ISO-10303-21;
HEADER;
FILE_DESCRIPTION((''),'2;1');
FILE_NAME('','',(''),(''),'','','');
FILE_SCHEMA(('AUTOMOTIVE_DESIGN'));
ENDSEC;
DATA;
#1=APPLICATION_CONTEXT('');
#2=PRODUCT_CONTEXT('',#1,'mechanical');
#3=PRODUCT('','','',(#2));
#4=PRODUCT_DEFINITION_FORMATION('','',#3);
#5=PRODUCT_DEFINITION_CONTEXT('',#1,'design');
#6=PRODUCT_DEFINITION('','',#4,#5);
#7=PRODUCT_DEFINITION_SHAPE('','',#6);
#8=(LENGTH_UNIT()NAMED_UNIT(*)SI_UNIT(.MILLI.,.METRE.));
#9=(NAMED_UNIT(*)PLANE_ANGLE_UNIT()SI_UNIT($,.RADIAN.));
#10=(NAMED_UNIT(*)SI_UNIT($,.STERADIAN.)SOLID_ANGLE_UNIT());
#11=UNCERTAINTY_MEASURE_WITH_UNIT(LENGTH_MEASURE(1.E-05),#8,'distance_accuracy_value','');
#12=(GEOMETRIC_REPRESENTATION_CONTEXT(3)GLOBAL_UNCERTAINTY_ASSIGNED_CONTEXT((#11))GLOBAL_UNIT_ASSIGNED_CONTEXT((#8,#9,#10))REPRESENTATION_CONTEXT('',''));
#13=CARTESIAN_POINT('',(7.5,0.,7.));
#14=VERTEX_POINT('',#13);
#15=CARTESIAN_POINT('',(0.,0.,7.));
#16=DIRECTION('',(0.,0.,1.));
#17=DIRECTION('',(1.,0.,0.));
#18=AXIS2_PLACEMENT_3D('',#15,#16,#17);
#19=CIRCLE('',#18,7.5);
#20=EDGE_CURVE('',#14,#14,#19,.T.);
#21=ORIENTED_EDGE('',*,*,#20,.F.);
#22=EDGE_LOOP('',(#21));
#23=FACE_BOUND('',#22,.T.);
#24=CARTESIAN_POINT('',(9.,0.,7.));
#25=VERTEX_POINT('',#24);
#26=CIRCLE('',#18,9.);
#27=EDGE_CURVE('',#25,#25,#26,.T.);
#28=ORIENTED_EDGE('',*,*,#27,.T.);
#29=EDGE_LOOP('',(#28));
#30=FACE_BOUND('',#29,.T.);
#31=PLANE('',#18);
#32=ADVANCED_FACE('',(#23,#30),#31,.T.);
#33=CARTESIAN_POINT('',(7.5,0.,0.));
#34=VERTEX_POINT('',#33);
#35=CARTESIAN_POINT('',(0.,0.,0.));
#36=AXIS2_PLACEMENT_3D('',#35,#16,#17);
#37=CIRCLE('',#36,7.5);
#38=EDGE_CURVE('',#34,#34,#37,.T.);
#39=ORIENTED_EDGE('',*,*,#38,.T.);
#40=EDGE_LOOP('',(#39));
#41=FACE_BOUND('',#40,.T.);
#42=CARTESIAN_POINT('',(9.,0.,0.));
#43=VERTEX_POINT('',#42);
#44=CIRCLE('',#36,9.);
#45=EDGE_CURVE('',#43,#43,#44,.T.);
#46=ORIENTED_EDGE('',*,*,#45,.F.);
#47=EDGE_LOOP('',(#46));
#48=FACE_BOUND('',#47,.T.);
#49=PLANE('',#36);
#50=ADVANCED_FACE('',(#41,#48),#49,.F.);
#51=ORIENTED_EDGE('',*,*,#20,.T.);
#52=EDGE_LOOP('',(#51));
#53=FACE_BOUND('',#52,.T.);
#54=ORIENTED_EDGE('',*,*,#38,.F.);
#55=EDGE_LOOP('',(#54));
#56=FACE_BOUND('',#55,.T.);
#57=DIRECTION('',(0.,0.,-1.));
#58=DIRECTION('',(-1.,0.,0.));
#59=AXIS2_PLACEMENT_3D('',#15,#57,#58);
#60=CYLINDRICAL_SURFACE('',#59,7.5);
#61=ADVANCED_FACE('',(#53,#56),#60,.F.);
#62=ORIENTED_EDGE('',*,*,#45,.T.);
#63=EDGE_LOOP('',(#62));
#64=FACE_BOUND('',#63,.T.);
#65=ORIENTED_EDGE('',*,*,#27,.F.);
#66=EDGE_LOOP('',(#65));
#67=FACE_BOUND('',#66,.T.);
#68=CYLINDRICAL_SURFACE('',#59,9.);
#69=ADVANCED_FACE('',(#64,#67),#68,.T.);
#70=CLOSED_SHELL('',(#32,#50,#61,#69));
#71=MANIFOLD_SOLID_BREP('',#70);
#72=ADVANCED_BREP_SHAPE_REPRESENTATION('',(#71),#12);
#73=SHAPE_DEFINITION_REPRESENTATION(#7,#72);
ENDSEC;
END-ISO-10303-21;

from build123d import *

# Parameters (mm, degrees)
ESQUISSE1_R        = 9
ESQUISSE1_R_2      = 7.5
BOSS_EXTRU_1_DEPTH = 7


with BuildPart() as part:
    # Esquisse1 → Boss.-Extru.1 (new body)
    with BuildSketch(Plane.XY):
        Circle(ESQUISSE1_R)
        Circle(ESQUISSE1_R_2, mode=Mode.SUBTRACT)
    extrude(amount=BOSS_EXTRU_1_DEPTH)


solid = part.part
